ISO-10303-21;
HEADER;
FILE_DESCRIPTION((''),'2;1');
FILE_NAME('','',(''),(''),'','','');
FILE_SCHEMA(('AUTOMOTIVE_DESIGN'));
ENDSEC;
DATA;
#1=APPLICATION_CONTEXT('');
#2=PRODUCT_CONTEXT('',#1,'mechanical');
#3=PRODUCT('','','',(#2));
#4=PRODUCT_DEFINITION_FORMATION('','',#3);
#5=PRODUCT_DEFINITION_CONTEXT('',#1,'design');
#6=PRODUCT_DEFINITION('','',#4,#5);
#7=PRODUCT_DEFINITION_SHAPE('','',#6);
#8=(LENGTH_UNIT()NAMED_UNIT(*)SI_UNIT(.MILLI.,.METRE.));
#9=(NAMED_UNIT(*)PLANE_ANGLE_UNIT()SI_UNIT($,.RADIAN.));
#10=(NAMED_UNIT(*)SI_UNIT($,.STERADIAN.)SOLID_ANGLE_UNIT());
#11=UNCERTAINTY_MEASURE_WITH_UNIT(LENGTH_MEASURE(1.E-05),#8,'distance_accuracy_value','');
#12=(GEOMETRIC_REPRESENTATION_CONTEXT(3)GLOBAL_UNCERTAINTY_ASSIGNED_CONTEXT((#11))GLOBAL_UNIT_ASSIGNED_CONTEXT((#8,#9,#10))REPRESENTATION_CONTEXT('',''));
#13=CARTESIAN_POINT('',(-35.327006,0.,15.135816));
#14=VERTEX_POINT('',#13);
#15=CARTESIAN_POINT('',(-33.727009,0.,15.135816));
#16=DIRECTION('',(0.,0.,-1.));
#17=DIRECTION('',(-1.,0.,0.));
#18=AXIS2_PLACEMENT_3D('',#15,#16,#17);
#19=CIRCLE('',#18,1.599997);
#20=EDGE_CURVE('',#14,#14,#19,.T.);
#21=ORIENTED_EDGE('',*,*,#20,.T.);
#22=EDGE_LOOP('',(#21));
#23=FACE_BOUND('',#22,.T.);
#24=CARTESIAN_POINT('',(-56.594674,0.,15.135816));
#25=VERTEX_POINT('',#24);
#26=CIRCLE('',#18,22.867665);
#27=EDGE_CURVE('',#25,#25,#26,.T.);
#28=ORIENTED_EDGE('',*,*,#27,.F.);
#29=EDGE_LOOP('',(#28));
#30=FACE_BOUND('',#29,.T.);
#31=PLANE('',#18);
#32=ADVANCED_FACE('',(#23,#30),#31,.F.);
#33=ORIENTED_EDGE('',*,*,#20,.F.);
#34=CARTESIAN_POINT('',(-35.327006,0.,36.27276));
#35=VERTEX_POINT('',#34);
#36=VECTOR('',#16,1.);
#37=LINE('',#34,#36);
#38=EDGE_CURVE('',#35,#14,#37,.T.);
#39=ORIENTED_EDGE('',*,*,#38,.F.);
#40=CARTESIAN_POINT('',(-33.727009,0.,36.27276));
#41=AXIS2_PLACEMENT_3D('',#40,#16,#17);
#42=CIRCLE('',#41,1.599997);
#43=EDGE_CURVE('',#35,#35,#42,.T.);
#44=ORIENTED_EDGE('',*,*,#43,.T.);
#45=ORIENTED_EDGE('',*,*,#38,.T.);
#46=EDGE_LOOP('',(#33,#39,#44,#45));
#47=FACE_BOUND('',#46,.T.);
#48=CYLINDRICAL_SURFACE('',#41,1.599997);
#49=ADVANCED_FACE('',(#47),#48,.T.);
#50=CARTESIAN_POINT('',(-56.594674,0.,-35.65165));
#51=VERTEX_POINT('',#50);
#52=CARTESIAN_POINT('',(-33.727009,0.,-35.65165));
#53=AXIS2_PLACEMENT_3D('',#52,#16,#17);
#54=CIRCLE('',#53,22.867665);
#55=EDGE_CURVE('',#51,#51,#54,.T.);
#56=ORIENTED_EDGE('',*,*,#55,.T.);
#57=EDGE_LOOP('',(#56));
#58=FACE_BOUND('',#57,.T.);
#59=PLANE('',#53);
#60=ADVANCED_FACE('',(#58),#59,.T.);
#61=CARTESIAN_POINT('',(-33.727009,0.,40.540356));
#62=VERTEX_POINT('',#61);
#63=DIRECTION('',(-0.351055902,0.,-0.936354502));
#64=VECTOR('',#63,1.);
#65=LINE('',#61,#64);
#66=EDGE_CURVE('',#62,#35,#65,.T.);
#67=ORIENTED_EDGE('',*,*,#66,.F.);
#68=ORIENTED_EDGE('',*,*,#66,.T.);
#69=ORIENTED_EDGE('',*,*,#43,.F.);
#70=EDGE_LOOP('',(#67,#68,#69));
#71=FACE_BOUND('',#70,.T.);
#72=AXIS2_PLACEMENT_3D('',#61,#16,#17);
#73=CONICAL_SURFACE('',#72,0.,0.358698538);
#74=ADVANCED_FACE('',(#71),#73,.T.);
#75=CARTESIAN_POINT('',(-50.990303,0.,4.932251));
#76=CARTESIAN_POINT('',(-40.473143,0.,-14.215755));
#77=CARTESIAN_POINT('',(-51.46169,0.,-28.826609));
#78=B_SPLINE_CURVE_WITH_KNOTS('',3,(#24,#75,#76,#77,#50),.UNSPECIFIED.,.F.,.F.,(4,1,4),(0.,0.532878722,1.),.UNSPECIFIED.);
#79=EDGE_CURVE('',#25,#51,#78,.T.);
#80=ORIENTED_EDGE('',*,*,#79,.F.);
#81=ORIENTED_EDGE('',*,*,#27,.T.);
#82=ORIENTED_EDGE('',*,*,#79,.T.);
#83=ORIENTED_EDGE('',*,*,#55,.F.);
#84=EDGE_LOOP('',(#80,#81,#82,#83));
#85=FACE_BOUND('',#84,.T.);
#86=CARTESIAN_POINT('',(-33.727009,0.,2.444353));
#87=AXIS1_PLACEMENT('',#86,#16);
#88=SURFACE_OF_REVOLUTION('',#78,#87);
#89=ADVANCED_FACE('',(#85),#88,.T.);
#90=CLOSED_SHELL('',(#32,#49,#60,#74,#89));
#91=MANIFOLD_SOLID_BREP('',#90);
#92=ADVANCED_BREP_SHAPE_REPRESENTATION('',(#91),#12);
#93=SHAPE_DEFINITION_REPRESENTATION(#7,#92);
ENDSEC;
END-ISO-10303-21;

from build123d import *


with BuildPart() as f1:
    # F0 (on Front) → F1 (revolve)
    with BuildSketch(Plane.XZ):
        with BuildLine():
            Line((-56.5946735442, -35.6516502798), (-33.7270088494, -35.6516502798))
            Line((-33.7270088494, -35.6516502798), (-33.7270088494, 40.540356189))
            Line((-33.7270088494, 40.540356189), (-35.3270061314, 36.2727604806))
            Line((-35.3270061314, 36.2727604806), (-35.3270061314, 15.1358162984))
            Line((-35.3270061314, 15.1358162984), (-56.5946735442, 15.1358162984))
            add(Edge.make_bspline(
                [(-56.5946735442, 15.1358162984), (-50.9903027317, 4.9322510601), (-40.4731426774, -14.2157554381), (-51.4616895088, -28.8266094747), (-56.5946735442, -35.6516502798)],
                knots=[0, 0, 0, 0, 0.5328787224, 1, 1, 1, 1], degree=3))
        make_face()
    revolve(axis=Axis((-33.7270088494, 0, 2.4443529546), (0, 0, -1)))


solid = f1.part
